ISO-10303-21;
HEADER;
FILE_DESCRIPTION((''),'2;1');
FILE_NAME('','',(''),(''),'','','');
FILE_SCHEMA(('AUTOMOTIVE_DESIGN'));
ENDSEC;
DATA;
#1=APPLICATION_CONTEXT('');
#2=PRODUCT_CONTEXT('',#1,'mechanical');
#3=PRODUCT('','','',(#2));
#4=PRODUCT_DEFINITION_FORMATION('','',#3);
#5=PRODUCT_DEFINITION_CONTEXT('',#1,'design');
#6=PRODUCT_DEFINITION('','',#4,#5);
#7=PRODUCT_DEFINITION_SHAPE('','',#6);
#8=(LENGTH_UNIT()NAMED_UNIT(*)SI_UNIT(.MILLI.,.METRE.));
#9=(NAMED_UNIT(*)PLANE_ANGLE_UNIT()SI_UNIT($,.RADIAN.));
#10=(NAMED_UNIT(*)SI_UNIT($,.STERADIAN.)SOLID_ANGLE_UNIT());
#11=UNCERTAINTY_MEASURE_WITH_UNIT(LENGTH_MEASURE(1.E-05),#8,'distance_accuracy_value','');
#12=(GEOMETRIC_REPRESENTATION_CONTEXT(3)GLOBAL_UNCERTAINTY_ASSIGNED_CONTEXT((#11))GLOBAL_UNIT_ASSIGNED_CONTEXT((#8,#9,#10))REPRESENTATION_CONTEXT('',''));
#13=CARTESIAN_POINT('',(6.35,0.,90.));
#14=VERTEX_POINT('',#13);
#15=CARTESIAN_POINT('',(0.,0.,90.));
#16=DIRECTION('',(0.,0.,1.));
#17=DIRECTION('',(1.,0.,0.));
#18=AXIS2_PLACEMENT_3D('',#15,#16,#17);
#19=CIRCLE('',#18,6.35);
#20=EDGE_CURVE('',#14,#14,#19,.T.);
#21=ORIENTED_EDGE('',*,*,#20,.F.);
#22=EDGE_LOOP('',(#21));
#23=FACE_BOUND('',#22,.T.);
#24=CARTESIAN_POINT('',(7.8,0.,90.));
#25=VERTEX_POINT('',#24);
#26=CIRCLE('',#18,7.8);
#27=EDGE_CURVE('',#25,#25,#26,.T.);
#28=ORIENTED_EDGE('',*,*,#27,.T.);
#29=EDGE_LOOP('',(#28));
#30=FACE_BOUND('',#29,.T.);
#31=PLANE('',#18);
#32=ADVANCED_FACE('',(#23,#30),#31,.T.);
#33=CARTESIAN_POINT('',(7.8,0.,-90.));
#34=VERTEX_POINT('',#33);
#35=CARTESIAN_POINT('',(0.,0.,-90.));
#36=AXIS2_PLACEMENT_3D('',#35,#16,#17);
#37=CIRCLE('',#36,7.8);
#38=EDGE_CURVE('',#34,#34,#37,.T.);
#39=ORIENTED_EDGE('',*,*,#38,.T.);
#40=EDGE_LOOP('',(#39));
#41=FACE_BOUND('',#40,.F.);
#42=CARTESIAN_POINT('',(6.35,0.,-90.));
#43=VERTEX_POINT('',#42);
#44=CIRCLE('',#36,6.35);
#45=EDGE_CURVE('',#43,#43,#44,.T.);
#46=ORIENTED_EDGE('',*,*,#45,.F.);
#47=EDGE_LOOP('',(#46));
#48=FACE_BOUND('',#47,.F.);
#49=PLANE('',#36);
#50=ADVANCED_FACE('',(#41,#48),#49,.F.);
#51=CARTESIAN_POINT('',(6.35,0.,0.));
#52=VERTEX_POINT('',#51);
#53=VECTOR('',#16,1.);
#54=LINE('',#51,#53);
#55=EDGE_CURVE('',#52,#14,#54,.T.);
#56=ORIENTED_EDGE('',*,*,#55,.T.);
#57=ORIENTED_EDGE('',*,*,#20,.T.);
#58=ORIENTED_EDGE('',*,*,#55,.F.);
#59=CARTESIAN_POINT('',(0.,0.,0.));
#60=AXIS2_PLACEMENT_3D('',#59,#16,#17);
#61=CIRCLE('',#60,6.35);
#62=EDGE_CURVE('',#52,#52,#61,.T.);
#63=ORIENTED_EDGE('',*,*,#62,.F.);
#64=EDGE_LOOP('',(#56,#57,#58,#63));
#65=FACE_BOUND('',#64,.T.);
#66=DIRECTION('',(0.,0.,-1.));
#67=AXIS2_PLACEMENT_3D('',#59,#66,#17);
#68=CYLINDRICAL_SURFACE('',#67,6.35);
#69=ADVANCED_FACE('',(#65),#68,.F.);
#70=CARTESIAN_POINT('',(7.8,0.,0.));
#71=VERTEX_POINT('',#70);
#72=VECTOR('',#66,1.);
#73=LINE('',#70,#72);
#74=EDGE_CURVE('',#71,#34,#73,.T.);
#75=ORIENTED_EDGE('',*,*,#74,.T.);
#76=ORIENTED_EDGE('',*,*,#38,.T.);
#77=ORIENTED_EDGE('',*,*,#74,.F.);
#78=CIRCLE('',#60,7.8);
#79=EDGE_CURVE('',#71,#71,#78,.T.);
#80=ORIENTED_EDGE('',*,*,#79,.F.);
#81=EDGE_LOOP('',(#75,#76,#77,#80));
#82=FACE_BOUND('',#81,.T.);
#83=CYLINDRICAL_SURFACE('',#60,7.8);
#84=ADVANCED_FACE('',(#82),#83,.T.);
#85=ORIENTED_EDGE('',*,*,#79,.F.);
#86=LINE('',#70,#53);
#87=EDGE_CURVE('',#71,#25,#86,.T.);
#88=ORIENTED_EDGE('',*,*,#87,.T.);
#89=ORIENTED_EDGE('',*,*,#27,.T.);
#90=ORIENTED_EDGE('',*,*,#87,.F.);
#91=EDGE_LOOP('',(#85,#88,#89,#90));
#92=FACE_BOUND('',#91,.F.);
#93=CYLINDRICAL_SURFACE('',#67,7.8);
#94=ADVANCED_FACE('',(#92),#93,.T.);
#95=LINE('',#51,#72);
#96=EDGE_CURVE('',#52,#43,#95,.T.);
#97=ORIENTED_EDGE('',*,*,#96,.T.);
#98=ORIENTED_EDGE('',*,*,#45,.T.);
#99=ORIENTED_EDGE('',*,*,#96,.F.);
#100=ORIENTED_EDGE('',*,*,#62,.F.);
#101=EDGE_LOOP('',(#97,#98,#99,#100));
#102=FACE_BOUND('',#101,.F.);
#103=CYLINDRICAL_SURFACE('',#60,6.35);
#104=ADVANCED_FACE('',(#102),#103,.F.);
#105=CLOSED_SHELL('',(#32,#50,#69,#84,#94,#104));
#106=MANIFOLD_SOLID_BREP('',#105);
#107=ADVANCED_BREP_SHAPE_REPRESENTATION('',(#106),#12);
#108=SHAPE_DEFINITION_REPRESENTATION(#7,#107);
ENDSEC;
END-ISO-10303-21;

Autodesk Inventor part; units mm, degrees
ref_plane "YZ Plane" through (0, 0, 0) normal (1, 0, 0) x (0, 1, 0)
ref_plane "XZ Plane" through (0, 0, 0) normal (0, 1, 0) x (-1, 0, 0)
ref_plane "XY Plane" through (0, 0, 0) normal (0, 0, 1) x (1, 0, 0)
sketch "Sketch1" plane through (0, 0, 0) normal (0, 0, 1) x (1, 0, 0)
  circle A0 centre (0, 0) radius 7.8
  circle A1 centre (0, 0) radius 6.35
  dimension "d0" = 15.6
  dimension "d1" = 12.7
extrude "Extrusion1" add sketch "Sketch1" along normal mid plane 180
properties part number "Tubo1" material "PPS Plastic"
